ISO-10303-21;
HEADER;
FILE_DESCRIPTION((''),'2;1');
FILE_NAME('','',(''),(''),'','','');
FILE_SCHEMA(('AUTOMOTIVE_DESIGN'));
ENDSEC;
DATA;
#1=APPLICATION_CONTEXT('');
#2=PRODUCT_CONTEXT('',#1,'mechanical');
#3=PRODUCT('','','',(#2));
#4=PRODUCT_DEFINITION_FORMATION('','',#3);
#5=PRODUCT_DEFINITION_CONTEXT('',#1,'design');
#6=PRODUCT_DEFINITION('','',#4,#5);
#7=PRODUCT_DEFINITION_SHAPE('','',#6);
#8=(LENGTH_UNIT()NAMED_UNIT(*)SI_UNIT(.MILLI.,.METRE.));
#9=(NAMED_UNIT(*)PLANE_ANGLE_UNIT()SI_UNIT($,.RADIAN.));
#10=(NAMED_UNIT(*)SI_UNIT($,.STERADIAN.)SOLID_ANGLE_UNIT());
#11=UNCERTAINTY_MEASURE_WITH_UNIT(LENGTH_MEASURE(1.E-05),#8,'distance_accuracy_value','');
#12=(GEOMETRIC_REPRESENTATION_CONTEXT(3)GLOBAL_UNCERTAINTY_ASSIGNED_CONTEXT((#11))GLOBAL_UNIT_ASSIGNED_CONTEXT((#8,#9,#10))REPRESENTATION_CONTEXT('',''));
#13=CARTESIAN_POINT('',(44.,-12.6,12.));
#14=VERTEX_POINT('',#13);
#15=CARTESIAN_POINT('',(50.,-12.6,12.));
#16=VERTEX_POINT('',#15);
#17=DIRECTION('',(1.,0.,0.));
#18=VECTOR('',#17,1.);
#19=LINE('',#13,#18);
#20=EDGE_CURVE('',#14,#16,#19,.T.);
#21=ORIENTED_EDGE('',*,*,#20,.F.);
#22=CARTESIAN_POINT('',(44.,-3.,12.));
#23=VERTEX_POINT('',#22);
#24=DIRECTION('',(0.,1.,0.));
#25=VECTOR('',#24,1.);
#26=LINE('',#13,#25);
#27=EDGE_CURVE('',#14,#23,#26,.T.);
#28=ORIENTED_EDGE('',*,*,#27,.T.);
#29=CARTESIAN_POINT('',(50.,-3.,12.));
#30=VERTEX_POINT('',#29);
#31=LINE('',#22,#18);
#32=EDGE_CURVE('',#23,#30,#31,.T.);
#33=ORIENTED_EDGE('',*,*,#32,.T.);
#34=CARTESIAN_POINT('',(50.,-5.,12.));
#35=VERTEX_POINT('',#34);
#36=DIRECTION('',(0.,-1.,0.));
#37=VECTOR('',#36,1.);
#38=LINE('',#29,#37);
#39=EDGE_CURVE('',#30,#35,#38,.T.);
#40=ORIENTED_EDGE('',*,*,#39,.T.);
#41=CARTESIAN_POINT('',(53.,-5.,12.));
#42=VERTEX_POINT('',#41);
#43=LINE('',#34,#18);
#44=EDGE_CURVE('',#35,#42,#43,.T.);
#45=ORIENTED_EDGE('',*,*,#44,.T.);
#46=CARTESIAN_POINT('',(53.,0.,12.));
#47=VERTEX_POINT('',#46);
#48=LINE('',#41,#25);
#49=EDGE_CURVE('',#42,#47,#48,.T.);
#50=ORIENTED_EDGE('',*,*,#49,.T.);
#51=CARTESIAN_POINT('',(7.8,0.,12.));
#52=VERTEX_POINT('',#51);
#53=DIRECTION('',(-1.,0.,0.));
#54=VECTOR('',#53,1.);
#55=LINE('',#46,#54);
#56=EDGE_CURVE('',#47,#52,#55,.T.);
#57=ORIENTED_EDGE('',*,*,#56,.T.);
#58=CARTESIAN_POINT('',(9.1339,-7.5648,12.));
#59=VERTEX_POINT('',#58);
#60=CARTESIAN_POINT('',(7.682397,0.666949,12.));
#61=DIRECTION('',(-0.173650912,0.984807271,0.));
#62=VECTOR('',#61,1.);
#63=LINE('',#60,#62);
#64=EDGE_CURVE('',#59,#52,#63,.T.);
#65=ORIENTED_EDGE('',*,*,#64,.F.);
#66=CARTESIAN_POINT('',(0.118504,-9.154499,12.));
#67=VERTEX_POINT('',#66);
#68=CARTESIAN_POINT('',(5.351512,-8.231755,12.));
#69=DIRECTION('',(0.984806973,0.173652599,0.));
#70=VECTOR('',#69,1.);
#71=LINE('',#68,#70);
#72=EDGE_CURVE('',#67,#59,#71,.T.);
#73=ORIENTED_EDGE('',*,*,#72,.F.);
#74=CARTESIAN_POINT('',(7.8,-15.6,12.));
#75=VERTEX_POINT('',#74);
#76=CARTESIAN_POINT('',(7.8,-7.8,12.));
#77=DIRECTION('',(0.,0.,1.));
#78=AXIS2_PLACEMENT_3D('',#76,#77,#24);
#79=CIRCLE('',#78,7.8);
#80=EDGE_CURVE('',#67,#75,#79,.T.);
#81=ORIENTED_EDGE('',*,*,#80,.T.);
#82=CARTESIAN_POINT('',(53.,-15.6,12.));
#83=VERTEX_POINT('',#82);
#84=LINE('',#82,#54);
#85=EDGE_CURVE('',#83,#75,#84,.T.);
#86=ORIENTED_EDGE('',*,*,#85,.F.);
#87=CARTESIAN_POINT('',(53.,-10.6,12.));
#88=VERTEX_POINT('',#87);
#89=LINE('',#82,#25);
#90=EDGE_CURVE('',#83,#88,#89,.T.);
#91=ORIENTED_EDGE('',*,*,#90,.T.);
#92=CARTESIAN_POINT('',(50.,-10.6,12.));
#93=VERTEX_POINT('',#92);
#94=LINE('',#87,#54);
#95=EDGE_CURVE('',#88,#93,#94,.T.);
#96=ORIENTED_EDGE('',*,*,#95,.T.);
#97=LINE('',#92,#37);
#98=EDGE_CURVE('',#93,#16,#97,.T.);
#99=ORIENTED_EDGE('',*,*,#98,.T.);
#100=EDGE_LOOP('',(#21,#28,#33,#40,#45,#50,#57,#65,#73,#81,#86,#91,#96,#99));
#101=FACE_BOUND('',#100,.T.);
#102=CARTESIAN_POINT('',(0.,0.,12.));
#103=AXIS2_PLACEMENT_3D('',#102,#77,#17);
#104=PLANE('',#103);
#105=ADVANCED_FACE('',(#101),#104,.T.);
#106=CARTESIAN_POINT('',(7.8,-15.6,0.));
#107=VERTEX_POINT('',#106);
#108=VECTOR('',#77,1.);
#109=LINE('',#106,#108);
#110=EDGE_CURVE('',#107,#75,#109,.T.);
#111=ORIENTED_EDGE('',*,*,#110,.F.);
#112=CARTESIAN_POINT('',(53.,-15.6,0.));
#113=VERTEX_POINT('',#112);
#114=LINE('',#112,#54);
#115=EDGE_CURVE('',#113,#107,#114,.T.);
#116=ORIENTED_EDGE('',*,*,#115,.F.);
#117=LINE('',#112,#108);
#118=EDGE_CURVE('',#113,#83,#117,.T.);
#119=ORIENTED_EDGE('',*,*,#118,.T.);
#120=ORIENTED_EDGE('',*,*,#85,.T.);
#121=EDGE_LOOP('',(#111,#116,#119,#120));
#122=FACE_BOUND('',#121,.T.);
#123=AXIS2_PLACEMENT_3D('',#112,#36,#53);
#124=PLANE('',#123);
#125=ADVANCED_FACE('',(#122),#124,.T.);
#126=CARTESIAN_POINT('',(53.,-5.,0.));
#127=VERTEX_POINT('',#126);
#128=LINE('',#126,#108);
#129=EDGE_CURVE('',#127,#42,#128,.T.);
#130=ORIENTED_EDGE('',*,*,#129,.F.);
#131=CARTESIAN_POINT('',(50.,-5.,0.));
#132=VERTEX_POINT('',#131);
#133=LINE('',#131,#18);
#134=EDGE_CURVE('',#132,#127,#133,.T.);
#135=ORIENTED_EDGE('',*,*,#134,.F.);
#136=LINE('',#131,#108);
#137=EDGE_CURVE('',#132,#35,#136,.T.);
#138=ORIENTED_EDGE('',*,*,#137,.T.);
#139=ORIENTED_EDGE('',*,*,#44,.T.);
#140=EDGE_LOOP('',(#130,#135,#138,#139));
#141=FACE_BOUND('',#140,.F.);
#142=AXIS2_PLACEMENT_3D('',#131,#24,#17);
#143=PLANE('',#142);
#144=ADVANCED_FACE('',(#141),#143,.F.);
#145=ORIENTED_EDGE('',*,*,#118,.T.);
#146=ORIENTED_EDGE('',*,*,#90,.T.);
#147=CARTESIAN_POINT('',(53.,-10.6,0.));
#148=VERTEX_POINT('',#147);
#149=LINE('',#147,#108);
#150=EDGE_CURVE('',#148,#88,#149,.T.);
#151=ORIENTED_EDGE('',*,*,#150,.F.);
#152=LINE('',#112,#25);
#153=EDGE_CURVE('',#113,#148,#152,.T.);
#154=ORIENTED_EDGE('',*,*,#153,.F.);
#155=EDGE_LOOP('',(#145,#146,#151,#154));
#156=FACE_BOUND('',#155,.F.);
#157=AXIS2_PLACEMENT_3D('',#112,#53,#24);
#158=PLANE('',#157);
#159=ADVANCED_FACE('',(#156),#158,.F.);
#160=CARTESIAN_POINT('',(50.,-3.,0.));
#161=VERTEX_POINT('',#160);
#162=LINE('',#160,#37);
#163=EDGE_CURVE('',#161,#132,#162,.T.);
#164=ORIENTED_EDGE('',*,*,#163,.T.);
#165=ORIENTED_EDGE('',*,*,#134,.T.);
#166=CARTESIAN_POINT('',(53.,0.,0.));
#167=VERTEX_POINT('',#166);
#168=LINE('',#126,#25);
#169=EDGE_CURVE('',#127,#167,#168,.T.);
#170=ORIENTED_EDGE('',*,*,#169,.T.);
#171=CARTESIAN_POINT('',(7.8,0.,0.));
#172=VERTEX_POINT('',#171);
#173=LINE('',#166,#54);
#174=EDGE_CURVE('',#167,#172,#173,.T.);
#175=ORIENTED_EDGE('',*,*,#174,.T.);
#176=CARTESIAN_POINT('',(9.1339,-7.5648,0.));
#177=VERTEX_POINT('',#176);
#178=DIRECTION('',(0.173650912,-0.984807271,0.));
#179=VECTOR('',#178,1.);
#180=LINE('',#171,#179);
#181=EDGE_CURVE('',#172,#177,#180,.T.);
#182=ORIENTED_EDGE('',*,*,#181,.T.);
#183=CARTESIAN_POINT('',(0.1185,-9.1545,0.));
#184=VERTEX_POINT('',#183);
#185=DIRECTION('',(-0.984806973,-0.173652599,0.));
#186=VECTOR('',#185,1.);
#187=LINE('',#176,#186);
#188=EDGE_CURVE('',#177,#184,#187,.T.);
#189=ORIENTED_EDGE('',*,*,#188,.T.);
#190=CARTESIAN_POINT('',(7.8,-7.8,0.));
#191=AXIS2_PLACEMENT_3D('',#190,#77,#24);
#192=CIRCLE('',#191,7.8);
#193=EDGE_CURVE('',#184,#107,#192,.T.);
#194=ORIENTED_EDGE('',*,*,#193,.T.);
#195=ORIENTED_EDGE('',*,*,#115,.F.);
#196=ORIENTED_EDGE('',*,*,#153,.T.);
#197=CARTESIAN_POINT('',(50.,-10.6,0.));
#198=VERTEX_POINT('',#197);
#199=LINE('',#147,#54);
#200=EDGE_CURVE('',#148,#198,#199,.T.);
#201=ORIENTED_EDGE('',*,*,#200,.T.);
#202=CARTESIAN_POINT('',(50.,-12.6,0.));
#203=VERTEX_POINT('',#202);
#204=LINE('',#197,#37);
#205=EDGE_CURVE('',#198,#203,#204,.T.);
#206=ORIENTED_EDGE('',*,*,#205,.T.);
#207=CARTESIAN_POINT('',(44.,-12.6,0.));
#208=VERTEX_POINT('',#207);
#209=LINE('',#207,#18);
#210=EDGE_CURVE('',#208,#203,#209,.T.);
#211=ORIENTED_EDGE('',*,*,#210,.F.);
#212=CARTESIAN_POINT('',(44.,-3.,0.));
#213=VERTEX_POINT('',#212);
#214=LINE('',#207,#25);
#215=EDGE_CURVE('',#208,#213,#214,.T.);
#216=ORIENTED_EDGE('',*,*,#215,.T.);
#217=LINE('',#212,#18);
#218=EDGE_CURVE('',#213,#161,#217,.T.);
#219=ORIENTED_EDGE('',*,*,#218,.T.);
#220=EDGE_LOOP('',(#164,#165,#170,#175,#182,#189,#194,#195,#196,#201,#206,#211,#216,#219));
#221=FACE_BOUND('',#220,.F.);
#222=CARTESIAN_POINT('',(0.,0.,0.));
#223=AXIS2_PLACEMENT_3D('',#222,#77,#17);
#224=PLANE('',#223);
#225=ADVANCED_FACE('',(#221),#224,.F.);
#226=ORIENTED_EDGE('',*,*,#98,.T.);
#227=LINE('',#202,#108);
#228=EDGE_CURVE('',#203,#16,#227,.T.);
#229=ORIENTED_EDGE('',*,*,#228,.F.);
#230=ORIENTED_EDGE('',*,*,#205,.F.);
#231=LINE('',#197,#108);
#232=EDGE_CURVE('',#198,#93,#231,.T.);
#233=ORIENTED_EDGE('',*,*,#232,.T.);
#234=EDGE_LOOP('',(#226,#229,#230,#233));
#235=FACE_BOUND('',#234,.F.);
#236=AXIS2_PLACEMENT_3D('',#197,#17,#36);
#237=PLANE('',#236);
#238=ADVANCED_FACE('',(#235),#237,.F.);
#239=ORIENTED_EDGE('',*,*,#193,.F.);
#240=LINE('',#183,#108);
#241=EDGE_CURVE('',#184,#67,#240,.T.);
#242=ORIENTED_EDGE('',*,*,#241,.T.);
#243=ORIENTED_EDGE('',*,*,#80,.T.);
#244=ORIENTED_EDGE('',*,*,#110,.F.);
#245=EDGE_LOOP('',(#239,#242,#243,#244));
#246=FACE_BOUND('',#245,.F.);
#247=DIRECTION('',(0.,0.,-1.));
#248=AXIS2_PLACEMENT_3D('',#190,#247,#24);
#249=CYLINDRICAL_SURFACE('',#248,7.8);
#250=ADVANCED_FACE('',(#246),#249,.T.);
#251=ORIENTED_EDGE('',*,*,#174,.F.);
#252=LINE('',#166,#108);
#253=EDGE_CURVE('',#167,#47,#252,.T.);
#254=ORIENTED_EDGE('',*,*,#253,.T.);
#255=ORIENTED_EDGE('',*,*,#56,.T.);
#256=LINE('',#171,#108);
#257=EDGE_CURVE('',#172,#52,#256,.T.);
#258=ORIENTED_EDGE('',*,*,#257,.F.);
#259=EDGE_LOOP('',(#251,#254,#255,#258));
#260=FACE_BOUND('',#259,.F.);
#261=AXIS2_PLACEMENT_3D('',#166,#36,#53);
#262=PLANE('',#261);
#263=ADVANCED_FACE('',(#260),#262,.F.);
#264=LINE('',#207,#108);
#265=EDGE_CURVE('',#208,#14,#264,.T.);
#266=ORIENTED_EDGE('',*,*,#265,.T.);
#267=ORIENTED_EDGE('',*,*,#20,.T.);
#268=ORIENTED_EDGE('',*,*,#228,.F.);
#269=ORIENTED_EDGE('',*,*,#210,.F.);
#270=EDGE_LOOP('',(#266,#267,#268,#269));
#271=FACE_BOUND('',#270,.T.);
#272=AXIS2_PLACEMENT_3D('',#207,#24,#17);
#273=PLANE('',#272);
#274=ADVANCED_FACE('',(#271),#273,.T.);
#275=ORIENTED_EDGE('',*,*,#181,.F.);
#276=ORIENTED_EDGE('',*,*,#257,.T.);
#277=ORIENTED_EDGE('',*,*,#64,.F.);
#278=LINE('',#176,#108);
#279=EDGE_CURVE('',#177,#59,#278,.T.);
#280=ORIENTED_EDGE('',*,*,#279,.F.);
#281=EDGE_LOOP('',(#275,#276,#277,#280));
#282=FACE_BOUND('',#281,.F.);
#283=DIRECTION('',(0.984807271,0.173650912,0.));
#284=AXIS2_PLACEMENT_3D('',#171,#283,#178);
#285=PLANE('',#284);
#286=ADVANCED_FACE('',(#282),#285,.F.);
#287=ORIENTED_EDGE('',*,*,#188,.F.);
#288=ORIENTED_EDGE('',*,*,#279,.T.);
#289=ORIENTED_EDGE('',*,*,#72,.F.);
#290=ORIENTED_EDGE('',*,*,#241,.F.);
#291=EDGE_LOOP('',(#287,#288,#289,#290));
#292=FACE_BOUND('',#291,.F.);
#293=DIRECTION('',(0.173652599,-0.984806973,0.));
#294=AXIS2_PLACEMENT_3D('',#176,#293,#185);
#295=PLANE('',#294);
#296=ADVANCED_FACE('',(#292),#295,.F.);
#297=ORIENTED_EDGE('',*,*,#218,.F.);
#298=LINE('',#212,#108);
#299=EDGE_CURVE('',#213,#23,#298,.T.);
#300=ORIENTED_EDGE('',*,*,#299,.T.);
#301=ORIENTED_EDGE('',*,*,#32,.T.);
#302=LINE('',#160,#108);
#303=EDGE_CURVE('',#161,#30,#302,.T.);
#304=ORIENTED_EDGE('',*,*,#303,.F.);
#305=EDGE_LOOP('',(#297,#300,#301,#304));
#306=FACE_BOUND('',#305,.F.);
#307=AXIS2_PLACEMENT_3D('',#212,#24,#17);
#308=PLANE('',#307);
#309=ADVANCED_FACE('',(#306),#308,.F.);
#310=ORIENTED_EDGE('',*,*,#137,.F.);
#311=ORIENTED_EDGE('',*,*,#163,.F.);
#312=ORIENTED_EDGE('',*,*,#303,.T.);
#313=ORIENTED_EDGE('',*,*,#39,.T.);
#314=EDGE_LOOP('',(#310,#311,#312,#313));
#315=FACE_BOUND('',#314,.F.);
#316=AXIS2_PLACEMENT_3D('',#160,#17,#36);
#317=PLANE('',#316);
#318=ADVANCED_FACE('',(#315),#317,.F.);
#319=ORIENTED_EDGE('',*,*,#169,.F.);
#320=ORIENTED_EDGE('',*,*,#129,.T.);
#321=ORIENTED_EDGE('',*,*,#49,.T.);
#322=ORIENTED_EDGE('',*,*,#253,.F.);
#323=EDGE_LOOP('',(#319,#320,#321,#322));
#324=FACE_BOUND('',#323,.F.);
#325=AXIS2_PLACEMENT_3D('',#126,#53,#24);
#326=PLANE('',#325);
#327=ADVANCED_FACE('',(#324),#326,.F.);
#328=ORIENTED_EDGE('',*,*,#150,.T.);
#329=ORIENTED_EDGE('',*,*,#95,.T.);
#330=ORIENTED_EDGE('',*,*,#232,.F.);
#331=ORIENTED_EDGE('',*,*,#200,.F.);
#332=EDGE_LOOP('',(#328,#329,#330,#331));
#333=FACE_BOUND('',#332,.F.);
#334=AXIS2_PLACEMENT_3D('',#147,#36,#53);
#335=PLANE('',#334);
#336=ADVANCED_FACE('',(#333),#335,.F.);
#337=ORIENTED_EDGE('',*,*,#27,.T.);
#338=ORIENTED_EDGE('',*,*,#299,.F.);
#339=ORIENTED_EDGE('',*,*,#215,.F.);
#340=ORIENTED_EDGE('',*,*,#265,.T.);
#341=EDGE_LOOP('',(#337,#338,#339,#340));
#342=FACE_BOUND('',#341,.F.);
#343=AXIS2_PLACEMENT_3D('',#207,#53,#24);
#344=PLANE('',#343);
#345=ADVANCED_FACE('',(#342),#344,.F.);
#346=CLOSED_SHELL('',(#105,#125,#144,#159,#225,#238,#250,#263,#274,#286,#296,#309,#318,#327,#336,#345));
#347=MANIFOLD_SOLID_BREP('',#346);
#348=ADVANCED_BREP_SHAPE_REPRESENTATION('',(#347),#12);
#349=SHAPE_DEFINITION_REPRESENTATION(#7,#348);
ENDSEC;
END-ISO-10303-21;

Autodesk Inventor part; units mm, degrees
ref_plane "YZ Plane" through (0, 0, 0) normal (1, 0, 0) x (0, 1, 0)
ref_plane "XZ Plane" through (0, 0, 0) normal (0, 1, 0) x (-1, 0, 0)
ref_plane "XY Plane" through (0, 0, 0) normal (0, 0, 1) x (1, 0, 0)
sketch "Sketch5" plane through (0, 0, 0) normal (0, 0, 1) x (1, 0, 0)
  line L0 (53, -15.6) -> (53, -10.6)
  line L1 (53, -10.6) -> (50, -10.6)
  line L2 (50, -10.6) -> (50, -12.6)
  line L3 (44, -12.6) -> (44, -3)
  line L4 (50, -3) -> (50, -5)
  line L5 (50, -5) -> (53, -5)
  line L6 (53, -5) -> (53, 0)
  line L7 (53, 0) -> (7.8, 0)
  line L8 (44, -3) -> (50, -3)
  line L9 (44, -12.6) -> (50, -12.6)
  line L10 (53, -15.6) -> (7.8, -15.6)
  arc A0 (7.8, 0) -> (7.8, -15.6) centre (7.8, -7.8) ccw
  point P0 (0, 0)
  dimension "d41" = 6
  dimension "d48" = 44
  dimension "d50" = 3
  dimension "d63" = 45.2
  dimension "d67" = 15.6
  dimension "d71" = 0
  dimension "d72" = 36.2
  dimension "d73" = 5
  dimension "d75" = 5
  dimension "d76" = 3
  dimension "d77" = 3
extrude "Extrusion2" add sketch "Sketch5" along normal blind 12
sketch "Sketch8" plane through (0, 0, 0) normal (0, 0, -1) x (-1, 0, 0)
  arc A0 (-7.8, -15.6) -> (-7.8, 0) centre (-7.8, -7.8) ccw projected
  line L0 (-7.8, 0) -> (-9.1339, -7.5648)
  line L1 (-7.8, 0) -> (-1.143, 0) construction
  line L2 (-9.1339, -7.5648) -> (-0.1185, -9.1545)
  arc A1 (-7.8, -15.6) -> (-7.8, 0) centre (-7.8, -7.8) ccw projected
  line L3 (-7.8, -7.8) -> (4.6142, -7.8) construction
  line L4 (1.4517, -9.4313) -> (-7.8, -7.8) construction
  line L5 (-7.8, -7.8) -> (-18.1105, -5.982) construction
  line L6 (-53, 0) -> (-7.8, 0) projected
  arc A2 (-0.1185, -9.1545) -> (-7.8, 0) centre (-7.8, -7.8) ccw
  point P0 (0, 0)
  point P1 (-0.1185, -9.1545)
  dimension "d80" = 100
  dimension "d81" = 10
extrude "Extrusion5" cut sketch "Sketch8" against normal through all
equation "\"l1\" = 8"
properties part number "Finray_test_8"
